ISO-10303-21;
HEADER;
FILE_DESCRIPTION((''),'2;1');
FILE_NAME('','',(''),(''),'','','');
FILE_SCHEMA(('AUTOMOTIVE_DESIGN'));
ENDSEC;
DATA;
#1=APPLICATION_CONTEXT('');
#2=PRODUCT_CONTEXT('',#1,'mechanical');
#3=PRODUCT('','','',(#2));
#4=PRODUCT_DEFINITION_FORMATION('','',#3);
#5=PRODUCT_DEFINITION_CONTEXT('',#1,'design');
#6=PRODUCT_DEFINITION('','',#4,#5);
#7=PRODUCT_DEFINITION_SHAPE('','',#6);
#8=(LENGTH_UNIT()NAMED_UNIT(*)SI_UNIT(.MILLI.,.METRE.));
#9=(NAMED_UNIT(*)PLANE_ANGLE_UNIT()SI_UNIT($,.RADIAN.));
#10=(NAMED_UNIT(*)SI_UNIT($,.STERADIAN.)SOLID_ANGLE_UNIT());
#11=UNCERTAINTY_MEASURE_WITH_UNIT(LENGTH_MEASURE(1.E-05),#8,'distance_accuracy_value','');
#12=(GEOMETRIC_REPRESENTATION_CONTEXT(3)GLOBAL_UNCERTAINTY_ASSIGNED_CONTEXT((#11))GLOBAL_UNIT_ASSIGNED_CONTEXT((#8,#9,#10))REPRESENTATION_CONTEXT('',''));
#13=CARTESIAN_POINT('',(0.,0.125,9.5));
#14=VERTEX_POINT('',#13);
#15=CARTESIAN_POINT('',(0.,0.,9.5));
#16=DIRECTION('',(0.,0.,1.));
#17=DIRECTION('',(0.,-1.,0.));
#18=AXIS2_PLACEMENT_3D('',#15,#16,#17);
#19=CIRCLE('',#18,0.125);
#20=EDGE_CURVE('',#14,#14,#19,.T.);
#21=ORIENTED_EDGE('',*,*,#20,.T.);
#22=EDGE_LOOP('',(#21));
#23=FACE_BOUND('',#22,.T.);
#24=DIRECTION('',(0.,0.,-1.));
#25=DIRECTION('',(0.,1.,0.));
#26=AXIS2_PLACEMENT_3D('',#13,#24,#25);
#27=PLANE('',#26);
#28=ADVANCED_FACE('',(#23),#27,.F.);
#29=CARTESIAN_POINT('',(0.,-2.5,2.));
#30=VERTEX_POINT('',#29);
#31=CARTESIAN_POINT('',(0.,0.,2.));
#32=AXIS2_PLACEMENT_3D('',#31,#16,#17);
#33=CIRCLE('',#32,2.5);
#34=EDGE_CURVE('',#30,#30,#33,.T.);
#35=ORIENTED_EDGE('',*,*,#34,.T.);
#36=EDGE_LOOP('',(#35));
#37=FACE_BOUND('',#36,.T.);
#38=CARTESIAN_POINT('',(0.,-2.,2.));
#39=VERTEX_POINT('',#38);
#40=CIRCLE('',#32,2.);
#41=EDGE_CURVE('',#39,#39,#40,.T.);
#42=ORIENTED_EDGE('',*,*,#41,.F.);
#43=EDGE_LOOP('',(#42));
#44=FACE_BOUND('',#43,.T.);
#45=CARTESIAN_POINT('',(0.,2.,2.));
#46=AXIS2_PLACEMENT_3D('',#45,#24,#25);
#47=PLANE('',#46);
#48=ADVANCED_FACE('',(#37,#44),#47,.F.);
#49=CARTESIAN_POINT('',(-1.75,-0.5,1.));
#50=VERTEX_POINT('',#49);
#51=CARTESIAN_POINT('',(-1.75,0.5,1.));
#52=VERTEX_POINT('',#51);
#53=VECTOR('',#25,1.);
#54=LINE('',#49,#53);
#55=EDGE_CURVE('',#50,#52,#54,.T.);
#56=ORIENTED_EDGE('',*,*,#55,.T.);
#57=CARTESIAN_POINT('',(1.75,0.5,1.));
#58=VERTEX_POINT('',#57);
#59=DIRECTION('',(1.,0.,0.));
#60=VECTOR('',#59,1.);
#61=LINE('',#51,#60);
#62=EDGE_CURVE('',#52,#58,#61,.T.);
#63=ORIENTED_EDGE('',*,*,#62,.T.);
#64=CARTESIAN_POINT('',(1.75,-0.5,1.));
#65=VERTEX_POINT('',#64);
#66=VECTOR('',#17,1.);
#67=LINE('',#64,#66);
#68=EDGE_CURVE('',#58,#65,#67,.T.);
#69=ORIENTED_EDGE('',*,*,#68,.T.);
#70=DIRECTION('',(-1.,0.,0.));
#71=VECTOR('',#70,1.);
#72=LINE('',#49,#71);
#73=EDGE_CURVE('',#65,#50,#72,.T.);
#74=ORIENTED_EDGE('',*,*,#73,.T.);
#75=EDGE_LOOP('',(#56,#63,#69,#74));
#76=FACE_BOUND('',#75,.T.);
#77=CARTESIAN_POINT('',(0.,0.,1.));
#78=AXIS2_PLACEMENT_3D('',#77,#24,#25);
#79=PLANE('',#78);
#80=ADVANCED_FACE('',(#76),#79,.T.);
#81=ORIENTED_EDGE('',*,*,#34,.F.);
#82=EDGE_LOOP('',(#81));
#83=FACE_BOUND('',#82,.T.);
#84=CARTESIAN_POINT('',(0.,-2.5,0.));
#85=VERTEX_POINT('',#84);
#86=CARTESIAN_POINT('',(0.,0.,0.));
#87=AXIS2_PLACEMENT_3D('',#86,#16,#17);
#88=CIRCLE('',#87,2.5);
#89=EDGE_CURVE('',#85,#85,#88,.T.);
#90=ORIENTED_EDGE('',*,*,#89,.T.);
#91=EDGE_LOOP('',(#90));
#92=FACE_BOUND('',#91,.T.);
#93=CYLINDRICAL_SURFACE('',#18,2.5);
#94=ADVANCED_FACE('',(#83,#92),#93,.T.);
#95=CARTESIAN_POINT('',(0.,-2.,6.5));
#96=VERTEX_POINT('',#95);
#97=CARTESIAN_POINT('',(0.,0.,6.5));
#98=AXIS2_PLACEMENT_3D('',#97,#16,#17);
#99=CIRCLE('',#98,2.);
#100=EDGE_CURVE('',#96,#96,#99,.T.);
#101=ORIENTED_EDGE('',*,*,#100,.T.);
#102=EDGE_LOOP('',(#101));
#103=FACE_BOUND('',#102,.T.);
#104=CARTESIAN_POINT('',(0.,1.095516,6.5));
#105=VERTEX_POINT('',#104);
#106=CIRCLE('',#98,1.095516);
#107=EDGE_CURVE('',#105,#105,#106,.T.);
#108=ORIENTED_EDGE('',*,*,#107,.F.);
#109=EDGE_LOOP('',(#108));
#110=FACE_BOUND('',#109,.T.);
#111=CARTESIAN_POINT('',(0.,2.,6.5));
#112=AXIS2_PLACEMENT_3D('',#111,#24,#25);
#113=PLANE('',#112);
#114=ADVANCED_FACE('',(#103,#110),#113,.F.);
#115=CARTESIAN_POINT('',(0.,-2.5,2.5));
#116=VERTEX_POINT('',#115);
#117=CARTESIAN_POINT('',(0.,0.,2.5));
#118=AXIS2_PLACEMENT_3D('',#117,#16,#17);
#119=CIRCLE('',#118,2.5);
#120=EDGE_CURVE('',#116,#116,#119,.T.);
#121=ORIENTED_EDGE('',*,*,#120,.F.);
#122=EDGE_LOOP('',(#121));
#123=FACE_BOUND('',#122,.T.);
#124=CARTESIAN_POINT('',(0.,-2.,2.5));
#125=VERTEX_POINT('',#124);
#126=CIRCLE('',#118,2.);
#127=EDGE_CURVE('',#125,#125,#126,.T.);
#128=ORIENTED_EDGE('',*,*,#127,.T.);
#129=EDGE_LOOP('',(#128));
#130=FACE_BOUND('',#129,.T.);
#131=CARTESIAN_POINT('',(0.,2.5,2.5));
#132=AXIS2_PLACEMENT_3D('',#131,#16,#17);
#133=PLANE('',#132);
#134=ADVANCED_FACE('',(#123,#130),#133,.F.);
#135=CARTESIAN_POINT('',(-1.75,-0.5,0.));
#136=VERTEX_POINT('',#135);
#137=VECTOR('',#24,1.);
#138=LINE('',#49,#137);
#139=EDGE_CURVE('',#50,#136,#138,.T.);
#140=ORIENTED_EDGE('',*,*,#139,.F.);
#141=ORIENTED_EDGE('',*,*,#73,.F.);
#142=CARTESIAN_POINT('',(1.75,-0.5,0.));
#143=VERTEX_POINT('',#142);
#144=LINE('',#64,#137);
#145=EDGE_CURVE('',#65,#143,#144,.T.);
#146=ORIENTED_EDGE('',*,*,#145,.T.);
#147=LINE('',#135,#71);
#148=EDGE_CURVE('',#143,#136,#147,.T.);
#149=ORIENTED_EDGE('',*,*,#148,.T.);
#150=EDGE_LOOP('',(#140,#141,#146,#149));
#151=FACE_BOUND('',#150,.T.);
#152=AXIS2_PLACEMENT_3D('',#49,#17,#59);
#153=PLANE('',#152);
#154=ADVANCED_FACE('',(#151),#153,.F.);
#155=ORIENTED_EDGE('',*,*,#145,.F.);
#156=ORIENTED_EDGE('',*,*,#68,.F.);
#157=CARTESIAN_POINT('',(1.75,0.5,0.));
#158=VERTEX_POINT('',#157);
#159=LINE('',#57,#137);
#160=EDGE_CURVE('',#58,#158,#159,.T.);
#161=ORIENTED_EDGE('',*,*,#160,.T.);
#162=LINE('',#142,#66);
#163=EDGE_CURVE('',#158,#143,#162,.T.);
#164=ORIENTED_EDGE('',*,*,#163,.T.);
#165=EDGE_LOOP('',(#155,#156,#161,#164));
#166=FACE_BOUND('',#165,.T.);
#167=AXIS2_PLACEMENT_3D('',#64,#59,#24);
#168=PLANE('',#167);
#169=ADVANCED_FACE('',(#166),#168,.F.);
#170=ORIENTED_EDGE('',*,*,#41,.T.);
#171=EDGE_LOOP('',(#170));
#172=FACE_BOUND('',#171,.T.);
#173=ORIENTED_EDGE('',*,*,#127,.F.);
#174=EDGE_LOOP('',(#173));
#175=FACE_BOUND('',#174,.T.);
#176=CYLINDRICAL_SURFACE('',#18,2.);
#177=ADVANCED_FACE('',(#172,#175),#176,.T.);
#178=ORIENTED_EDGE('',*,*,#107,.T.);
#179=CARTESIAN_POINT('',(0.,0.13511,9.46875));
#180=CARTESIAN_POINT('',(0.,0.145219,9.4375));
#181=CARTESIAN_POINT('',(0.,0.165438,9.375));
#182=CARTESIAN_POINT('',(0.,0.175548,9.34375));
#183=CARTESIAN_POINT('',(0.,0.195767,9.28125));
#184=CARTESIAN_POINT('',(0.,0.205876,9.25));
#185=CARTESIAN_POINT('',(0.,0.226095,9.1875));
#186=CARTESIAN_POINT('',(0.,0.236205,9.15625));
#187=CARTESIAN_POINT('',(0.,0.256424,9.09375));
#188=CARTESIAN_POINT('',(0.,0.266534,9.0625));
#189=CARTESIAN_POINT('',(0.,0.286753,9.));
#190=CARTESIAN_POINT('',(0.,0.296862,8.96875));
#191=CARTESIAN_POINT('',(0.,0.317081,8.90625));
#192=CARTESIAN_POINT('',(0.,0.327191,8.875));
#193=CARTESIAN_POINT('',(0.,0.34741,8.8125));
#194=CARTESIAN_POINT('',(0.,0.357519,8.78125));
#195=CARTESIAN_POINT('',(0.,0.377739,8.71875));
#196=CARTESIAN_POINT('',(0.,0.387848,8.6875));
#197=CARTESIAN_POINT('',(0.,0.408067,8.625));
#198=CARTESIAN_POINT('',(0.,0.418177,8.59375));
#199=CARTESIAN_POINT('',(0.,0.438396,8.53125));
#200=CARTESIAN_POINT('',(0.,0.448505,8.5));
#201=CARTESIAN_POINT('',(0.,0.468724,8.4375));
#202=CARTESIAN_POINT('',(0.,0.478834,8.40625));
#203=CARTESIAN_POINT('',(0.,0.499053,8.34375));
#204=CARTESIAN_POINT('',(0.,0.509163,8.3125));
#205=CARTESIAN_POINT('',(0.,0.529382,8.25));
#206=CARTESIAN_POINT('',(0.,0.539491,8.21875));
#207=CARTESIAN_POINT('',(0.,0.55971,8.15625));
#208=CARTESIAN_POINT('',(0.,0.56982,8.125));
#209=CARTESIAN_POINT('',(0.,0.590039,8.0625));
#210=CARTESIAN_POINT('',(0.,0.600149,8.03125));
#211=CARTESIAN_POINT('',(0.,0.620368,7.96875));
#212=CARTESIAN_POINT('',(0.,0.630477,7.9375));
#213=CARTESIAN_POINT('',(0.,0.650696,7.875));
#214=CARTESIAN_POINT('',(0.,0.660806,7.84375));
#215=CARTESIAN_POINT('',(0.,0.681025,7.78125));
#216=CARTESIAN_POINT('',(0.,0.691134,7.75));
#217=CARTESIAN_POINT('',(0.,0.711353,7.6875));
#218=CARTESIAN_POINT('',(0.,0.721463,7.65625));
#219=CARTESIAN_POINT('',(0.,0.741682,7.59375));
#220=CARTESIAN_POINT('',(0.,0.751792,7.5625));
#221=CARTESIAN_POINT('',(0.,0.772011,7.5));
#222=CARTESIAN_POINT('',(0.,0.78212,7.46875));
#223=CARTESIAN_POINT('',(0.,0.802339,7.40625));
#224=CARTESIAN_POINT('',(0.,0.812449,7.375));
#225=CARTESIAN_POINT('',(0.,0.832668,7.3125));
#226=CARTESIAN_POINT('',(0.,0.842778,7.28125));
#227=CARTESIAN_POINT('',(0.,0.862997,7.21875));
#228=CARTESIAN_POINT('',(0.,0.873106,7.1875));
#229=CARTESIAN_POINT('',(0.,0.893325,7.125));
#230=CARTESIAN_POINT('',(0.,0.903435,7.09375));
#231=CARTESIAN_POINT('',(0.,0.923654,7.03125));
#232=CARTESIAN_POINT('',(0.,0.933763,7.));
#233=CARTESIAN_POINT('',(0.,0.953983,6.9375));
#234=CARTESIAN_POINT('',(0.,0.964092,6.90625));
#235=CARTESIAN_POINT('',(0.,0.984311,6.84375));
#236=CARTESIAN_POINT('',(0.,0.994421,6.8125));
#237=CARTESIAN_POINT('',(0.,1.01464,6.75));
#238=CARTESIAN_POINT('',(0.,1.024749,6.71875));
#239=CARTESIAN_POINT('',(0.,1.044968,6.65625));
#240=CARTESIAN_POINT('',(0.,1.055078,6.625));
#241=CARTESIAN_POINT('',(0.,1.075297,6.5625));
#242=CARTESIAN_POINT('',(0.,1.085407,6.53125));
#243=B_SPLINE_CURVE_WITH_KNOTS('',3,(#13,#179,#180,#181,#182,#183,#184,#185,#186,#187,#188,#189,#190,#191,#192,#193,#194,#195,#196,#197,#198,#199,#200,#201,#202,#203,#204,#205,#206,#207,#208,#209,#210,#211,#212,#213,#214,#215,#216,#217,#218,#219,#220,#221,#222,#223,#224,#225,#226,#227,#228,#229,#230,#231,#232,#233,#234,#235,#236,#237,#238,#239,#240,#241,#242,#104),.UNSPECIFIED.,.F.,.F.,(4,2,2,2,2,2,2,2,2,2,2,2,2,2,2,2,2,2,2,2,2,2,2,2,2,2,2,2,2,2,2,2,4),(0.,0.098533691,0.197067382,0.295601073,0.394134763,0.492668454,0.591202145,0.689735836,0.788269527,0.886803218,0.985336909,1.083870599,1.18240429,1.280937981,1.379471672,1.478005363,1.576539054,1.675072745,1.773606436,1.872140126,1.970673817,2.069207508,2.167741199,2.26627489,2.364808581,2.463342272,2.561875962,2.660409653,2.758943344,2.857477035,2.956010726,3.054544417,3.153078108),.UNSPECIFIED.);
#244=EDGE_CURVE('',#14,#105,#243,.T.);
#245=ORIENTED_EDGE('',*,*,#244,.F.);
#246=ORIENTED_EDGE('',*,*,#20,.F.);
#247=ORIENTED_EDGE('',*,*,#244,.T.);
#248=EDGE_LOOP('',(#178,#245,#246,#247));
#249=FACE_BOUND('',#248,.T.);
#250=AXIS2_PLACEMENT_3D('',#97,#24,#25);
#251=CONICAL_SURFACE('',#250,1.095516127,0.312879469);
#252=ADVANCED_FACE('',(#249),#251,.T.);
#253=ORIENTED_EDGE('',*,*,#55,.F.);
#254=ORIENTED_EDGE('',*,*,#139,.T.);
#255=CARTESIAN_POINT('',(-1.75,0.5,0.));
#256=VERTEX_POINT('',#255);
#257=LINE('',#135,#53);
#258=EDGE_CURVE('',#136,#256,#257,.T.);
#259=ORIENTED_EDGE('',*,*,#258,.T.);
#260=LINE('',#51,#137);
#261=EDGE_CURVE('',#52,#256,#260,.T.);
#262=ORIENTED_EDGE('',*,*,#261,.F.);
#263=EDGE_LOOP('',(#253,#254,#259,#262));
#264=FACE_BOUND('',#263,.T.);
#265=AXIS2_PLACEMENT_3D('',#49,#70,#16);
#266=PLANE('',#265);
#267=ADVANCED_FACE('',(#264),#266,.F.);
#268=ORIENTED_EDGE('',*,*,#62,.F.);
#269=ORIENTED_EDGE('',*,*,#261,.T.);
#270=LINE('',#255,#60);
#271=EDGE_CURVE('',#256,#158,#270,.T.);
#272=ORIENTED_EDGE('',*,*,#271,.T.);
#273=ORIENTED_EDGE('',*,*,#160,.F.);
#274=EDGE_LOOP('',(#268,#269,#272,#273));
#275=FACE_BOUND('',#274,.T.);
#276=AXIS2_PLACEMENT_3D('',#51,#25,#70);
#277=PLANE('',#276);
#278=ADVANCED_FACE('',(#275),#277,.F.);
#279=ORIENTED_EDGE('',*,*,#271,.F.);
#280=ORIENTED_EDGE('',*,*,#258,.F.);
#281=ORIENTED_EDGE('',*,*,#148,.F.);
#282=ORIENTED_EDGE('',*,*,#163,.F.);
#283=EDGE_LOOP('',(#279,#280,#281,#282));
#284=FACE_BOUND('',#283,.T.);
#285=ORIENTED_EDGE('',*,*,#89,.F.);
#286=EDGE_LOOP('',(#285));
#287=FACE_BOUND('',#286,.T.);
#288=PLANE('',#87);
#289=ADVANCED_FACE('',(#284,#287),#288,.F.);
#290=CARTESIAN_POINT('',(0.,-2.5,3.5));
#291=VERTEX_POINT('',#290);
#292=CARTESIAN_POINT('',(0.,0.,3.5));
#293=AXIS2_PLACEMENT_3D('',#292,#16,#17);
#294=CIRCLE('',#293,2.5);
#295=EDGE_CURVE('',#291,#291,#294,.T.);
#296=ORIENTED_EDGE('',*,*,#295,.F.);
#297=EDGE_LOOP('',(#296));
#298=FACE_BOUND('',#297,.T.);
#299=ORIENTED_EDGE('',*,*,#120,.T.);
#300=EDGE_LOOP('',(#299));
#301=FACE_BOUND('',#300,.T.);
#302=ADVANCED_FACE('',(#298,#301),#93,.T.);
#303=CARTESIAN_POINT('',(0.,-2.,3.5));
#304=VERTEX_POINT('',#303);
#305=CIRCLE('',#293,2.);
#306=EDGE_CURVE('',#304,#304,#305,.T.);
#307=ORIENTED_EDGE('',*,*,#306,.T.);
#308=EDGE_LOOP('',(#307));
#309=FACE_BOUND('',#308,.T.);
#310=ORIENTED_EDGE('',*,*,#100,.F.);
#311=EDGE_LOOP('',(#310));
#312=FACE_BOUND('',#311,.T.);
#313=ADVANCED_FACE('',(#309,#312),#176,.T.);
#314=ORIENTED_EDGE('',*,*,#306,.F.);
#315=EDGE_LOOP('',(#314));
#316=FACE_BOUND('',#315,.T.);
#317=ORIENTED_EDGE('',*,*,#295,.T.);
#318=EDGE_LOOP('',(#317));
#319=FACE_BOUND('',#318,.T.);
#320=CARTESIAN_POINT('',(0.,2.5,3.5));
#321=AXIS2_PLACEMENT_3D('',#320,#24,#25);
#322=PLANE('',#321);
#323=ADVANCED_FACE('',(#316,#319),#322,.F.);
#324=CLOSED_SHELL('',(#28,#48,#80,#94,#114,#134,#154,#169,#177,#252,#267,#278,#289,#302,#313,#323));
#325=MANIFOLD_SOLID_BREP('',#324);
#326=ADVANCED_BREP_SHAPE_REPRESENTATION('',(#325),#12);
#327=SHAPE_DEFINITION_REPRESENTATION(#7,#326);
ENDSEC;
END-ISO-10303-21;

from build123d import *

# Parameters (mm, degrees)
CROQUIS4_W            = 3.5
CROQUIS4_H            = 1
CORTAR_EXTRUIR1_DEPTH = 1


with BuildPart() as part:
    # Croquis3 → Revolución1 (revolve)
    with BuildSketch(Plane(origin=(0, 0, 0), x_dir=(0, 0, -1), z_dir=(1, 0, 0)), mode=Mode.PRIVATE) as revoluci_n1_sk:
        Polygon((0, 0), (0, 2.5), (-2, 2.5), (-2, 2), (-2.5, 2), (-2.5, 2.5), (-3.5, 2.5), (-3.5, 2), (-6.5, 2), (-6.5, 1.095516127), (-9.5, 0.125), (-9.5, 0), align=None)
    revolve(revoluci_n1_sk.sketch.rotate(Axis((0, 0, 9.5), (0, 0, -1)), 180), axis=Axis((0, 0, 9.5), (0, 0, -1)))

    # Croquis4 → Cortar-Extruir1 (cut)
    with BuildSketch(Plane(origin=(0, 0, 0), x_dir=(-1, 0, 0), z_dir=(0, 0, -1))):
        Rectangle(CROQUIS4_W, CROQUIS4_H)
    extrude(amount=-CORTAR_EXTRUIR1_DEPTH, mode=Mode.SUBTRACT)


solid = part.part
